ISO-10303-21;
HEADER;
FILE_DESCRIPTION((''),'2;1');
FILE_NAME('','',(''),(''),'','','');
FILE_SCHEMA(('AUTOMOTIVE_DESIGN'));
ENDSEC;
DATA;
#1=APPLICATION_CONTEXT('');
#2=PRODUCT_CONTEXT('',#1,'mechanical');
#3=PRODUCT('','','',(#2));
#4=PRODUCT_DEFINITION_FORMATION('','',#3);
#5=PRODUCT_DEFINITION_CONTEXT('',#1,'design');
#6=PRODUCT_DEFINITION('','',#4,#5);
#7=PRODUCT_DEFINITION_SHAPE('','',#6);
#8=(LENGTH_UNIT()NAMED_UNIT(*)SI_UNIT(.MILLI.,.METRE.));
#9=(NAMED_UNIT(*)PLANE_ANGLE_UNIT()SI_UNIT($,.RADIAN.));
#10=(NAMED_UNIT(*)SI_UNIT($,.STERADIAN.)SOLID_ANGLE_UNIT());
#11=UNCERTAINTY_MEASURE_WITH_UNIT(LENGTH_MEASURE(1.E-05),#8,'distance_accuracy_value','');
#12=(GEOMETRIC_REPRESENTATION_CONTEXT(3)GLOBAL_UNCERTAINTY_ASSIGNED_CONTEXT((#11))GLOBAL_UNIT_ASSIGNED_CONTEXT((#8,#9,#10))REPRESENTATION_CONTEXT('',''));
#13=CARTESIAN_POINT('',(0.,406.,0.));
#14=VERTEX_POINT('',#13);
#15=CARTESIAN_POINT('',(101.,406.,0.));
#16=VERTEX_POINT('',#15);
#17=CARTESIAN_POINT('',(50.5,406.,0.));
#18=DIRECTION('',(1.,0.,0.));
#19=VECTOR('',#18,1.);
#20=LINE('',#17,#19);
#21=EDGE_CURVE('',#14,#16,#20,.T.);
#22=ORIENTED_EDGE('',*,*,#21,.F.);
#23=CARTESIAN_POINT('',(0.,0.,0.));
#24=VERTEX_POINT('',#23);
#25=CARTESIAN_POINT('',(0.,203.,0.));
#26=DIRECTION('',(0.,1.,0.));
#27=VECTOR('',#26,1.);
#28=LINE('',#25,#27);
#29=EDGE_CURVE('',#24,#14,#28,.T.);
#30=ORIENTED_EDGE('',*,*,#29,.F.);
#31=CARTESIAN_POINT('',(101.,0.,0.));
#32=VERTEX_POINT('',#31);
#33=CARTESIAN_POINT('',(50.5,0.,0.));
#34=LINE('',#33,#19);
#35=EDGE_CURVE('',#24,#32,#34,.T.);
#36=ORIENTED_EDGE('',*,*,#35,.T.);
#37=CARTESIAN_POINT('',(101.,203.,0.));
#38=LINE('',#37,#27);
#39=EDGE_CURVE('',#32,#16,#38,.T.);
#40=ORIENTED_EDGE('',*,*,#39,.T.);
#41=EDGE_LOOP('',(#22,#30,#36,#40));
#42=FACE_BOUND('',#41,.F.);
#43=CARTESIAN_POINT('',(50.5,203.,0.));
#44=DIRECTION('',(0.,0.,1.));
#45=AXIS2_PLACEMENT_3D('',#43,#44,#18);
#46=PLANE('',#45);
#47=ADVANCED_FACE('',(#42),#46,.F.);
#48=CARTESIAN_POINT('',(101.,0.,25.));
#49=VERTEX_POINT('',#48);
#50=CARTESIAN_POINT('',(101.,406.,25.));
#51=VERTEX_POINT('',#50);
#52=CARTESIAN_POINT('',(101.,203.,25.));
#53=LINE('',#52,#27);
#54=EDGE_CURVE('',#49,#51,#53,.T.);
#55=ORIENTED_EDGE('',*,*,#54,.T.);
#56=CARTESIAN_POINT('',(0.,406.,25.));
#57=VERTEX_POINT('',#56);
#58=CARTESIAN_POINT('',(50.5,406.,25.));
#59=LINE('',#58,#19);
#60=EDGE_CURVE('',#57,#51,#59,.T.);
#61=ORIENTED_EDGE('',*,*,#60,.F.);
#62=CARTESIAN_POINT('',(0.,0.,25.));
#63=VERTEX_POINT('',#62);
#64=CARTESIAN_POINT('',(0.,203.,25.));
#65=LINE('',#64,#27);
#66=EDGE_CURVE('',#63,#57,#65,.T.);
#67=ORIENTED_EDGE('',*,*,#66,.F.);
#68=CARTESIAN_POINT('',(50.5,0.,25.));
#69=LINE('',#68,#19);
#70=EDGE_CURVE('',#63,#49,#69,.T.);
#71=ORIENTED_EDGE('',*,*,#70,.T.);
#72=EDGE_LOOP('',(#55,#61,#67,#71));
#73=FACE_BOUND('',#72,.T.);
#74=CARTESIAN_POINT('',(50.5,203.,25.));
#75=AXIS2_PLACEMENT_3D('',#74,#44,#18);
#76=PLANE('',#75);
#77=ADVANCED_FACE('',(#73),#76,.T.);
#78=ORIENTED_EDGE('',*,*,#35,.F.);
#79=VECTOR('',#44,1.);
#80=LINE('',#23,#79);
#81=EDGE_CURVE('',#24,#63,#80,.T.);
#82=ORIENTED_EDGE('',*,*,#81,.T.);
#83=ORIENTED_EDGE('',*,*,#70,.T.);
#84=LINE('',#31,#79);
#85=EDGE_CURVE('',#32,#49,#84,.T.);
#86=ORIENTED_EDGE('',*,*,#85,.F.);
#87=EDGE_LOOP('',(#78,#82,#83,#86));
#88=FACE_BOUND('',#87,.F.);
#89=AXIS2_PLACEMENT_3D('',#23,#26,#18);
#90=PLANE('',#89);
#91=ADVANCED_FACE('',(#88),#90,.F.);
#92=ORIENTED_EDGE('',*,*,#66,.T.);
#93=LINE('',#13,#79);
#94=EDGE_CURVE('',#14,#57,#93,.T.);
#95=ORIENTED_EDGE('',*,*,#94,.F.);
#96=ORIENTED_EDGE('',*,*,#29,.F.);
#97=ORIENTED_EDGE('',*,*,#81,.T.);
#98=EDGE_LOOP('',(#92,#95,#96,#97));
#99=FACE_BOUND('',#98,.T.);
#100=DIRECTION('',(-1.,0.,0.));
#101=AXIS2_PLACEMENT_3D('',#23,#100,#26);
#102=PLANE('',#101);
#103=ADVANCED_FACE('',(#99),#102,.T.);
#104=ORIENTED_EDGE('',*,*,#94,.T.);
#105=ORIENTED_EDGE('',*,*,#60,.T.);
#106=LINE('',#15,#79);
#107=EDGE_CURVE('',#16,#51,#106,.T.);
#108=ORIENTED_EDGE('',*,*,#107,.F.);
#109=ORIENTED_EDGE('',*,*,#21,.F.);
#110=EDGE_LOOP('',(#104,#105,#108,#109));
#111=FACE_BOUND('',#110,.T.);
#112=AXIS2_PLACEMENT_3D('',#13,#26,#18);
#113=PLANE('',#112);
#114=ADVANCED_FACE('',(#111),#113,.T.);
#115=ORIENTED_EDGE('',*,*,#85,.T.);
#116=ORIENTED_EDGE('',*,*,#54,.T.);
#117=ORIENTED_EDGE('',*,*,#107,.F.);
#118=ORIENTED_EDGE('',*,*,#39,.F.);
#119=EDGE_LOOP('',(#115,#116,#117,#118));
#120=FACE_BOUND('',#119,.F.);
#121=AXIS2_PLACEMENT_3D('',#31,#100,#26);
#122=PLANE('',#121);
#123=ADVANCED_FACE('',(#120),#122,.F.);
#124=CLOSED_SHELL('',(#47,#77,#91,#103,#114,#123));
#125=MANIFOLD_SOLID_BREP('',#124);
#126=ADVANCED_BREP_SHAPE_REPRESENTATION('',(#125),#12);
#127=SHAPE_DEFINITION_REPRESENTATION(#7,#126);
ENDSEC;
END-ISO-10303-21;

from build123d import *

# Parameters (mm, degrees)
SKETCH_W  = 101
SKETCH_H  = 406
PAD_DEPTH = 25


with BuildPart() as part:
    # Sketch → Pad (new body)
    with BuildSketch(Plane.XY):
        with Locations((50.5, 203)):
            Rectangle(SKETCH_W, SKETCH_H)
    extrude(amount=PAD_DEPTH)


solid = part.part
